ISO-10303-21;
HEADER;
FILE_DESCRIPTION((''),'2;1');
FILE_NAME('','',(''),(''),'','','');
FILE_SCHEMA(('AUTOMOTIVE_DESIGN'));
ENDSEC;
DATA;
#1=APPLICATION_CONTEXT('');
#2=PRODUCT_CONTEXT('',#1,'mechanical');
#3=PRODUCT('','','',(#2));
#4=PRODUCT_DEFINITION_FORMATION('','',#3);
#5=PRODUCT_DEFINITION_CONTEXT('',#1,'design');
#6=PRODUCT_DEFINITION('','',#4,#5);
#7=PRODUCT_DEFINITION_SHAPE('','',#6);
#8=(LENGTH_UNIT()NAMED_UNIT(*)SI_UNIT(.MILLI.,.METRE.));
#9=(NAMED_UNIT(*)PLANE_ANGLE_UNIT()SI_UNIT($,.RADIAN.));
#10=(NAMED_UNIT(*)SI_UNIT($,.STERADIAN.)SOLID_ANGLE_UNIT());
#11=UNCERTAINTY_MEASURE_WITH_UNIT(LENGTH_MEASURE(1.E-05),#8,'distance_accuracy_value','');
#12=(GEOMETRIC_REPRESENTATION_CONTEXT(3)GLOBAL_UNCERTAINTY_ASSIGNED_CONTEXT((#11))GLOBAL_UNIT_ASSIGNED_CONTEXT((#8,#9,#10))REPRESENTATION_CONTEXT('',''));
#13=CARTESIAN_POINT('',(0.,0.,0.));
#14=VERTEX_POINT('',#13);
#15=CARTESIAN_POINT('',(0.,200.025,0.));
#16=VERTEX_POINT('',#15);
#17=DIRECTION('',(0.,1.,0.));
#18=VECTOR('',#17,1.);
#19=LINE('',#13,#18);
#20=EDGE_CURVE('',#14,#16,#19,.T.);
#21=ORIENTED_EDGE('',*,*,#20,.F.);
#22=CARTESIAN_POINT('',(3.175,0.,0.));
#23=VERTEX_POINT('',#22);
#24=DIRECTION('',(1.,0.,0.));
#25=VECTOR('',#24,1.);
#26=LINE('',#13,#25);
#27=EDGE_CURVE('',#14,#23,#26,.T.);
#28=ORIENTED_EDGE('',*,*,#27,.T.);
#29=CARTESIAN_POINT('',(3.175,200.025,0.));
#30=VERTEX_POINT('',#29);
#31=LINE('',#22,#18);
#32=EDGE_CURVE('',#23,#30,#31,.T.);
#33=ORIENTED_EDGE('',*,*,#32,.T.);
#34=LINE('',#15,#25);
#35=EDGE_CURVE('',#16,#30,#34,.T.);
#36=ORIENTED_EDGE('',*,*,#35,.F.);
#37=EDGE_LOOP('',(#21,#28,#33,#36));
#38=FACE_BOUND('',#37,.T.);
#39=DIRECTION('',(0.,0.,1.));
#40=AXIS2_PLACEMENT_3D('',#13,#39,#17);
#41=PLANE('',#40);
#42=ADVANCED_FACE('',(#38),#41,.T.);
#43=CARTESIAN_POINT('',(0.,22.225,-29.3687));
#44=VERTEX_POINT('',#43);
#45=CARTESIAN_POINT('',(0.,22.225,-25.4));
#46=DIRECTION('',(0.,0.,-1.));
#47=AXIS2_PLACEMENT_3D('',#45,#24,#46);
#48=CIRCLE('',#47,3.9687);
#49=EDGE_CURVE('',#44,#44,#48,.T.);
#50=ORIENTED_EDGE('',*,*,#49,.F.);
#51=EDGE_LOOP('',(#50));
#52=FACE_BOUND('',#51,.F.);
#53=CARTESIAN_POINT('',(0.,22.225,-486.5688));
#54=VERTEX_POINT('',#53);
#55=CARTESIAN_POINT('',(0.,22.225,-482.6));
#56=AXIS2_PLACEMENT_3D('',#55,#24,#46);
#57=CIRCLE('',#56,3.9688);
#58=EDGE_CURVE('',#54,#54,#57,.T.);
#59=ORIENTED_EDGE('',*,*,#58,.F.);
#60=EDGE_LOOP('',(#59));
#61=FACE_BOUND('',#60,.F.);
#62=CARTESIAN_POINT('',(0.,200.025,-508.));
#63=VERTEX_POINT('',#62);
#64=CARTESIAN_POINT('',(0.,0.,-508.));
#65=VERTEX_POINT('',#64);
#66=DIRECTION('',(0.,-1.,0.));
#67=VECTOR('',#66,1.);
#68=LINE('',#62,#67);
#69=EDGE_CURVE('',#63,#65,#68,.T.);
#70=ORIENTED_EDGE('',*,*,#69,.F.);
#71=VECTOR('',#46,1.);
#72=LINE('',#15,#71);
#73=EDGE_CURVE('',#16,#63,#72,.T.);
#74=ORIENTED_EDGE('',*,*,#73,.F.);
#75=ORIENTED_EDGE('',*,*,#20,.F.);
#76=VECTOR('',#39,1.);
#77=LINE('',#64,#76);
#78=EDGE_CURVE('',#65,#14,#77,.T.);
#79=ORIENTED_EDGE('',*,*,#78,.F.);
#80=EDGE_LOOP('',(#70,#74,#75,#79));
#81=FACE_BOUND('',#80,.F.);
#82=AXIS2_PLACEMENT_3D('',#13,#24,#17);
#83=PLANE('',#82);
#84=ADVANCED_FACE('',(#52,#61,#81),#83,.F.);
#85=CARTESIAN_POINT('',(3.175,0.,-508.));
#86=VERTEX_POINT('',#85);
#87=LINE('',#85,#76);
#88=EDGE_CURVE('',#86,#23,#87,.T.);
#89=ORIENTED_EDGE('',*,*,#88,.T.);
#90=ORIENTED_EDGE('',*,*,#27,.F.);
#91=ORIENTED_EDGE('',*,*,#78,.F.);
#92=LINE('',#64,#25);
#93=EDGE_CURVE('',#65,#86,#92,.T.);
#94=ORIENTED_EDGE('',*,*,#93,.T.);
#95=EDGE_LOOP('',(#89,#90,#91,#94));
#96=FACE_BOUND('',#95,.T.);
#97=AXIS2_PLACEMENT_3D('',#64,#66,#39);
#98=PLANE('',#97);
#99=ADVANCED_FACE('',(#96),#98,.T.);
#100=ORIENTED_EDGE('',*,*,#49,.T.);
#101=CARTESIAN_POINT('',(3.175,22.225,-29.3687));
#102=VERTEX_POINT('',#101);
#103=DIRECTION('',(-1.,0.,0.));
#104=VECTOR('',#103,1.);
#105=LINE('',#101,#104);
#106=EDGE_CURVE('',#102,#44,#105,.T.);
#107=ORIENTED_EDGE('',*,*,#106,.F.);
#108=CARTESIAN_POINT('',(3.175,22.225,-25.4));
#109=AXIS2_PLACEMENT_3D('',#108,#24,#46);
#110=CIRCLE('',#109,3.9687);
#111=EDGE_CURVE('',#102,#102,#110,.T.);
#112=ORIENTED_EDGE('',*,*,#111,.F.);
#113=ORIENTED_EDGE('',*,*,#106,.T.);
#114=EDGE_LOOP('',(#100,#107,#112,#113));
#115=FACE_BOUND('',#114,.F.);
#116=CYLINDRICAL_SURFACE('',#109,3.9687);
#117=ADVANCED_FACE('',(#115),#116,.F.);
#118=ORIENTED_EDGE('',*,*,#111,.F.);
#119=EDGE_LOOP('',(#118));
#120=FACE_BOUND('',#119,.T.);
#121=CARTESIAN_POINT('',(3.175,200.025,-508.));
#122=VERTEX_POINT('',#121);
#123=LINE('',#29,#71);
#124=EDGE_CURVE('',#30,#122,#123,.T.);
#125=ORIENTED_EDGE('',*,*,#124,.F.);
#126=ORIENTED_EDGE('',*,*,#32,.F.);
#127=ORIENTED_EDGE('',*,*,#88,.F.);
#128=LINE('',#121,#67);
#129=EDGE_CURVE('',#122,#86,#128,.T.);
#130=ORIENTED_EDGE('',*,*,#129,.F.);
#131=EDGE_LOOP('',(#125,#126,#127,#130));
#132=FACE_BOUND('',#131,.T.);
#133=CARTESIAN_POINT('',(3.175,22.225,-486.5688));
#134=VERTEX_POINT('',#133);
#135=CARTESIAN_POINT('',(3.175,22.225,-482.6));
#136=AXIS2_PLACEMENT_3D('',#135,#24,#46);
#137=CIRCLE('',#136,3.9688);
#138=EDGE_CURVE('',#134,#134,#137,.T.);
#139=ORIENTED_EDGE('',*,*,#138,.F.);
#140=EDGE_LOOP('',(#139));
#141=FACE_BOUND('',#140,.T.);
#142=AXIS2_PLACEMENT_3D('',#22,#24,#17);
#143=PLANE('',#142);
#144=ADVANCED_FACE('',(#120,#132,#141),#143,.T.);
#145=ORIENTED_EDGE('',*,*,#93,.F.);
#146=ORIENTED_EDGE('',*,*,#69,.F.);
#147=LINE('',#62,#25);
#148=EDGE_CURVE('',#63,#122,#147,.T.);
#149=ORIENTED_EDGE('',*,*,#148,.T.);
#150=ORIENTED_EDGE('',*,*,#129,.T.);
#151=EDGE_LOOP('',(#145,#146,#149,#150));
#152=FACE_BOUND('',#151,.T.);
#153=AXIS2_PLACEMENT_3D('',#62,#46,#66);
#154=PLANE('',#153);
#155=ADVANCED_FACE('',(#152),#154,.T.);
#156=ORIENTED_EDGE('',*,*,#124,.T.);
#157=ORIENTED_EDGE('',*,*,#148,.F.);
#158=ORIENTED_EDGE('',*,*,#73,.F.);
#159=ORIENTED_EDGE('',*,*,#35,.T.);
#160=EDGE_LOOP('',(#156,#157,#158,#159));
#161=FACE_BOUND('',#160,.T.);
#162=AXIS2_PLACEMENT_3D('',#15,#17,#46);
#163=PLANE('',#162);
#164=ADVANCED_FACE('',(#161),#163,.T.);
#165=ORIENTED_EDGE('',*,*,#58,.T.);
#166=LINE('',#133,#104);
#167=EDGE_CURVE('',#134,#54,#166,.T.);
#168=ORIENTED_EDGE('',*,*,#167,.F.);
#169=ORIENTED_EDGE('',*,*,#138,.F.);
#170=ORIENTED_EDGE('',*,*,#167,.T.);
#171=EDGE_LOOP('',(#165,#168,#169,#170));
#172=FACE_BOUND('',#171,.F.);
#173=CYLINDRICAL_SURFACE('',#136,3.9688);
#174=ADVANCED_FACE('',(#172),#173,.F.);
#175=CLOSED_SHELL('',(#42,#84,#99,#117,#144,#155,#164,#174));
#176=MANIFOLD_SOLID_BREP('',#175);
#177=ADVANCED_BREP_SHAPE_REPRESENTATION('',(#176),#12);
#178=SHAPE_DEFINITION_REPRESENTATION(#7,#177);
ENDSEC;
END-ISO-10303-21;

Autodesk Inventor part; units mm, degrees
ref_plane "YZ Plane" through (0, 0, 0) normal (1, 0, 0) x (0, 1, 0)
ref_plane "XZ Plane" through (0, 0, 0) normal (0, 1, 0) x (-1, 0, 0)
ref_plane "XY Plane" through (0, 0, 0) normal (0, 0, 1) x (1, 0, 0)
sketch "Sketch1" plane through (0, 0, 0) normal (1, 0, 0) x (0, 1, 0)
  line L0 (0, 0) -> (200.025, 0)
  line L1 (200.025, 0) -> (200.025, -508)
  line L2 (200.025, -508) -> (0, -508)
  line L3 (0, -508) -> (0, 0)
  dimension "d0" = 200.025
  dimension "d1" = 508
extrude "Extrusion1" add sketch "Sketch1" along normal blind 3.175
sketch "Sketch3" plane through (3.175, 0, 0) normal (1, 0, 0) x (0, 0, -1)
  line L0 (0, 200.025) -> (0, 0) projected
  line L1 (0, 0) -> (0, 22.225)
  line L2 (0, 22.225) -> (25.4, 22.225)
  circle A0 centre (25.4, 22.225) radius 1.9844
  line L3 (0, 0) -> (508, 0) projected
  line L4 (508, 0) -> (508, 22.225)
  line L5 (508, 0) -> (508, 200.025) projected
  line L6 (508, 22.225) -> (482.6, 22.225)
  circle A1 centre (482.6, 22.225) radius 1.9844
  dimension "d8" = 22.225
  dimension "d9" = 25.4
  dimension "d10" = 3.9688
  dimension "d11" = 22.225
  dimension "d12" = 25.4
  dimension "d13" = 3.9688
extrude "Extrusion2" cut sketch "Sketch3" against normal blind 3.175 contours A0
sketch "Sketch4" plane through (3.175, 0, 0) normal (1, 0, 0) x (0, 0, -1)
  line L0 (508, 0) -> (0, 0) projected
  line L1 (508, 0) -> (508, 22.225)
  line L2 (508, 200.025) -> (508, 0) projected
  line L3 (508, 22.225) -> (482.6, 22.225)
  circle A0 centre (482.6, 22.225) radius 1.9844
  dimension "d16" = 22.225
  dimension "d17" = 25.4
  dimension "d18" = 3.9688
extrude "Extrusion3" cut sketch "Sketch4" against normal blind 3.175
sketch "Sketch5" plane through (3.175, 0, 0) normal (1, 0, 0) x (0, 0, -1)
  circle A0 centre (25.4, 22.225) radius 1.9844 projected
  circle A1 centre (25.4, 22.225) radius 3.9687
  point P0 (0, 0)
  dimension "d21" = 7.9375
extrude "Extrusion4" cut sketch "Sketch5" against normal blind 3.175
sketch "Sketch6" plane through (3.175, 0, 0) normal (1, 0, 0) x (0, 0, -1)
  circle A0 centre (482.6, 22.225) radius 1.9844 projected
  circle A1 centre (482.6, 22.225) radius 3.9688
  point P0 (0, 0)
  dimension "d24" = 7.9375
extrude "Extrusion5" cut sketch "Sketch6" against normal blind 3.175
properties part number "Side"
